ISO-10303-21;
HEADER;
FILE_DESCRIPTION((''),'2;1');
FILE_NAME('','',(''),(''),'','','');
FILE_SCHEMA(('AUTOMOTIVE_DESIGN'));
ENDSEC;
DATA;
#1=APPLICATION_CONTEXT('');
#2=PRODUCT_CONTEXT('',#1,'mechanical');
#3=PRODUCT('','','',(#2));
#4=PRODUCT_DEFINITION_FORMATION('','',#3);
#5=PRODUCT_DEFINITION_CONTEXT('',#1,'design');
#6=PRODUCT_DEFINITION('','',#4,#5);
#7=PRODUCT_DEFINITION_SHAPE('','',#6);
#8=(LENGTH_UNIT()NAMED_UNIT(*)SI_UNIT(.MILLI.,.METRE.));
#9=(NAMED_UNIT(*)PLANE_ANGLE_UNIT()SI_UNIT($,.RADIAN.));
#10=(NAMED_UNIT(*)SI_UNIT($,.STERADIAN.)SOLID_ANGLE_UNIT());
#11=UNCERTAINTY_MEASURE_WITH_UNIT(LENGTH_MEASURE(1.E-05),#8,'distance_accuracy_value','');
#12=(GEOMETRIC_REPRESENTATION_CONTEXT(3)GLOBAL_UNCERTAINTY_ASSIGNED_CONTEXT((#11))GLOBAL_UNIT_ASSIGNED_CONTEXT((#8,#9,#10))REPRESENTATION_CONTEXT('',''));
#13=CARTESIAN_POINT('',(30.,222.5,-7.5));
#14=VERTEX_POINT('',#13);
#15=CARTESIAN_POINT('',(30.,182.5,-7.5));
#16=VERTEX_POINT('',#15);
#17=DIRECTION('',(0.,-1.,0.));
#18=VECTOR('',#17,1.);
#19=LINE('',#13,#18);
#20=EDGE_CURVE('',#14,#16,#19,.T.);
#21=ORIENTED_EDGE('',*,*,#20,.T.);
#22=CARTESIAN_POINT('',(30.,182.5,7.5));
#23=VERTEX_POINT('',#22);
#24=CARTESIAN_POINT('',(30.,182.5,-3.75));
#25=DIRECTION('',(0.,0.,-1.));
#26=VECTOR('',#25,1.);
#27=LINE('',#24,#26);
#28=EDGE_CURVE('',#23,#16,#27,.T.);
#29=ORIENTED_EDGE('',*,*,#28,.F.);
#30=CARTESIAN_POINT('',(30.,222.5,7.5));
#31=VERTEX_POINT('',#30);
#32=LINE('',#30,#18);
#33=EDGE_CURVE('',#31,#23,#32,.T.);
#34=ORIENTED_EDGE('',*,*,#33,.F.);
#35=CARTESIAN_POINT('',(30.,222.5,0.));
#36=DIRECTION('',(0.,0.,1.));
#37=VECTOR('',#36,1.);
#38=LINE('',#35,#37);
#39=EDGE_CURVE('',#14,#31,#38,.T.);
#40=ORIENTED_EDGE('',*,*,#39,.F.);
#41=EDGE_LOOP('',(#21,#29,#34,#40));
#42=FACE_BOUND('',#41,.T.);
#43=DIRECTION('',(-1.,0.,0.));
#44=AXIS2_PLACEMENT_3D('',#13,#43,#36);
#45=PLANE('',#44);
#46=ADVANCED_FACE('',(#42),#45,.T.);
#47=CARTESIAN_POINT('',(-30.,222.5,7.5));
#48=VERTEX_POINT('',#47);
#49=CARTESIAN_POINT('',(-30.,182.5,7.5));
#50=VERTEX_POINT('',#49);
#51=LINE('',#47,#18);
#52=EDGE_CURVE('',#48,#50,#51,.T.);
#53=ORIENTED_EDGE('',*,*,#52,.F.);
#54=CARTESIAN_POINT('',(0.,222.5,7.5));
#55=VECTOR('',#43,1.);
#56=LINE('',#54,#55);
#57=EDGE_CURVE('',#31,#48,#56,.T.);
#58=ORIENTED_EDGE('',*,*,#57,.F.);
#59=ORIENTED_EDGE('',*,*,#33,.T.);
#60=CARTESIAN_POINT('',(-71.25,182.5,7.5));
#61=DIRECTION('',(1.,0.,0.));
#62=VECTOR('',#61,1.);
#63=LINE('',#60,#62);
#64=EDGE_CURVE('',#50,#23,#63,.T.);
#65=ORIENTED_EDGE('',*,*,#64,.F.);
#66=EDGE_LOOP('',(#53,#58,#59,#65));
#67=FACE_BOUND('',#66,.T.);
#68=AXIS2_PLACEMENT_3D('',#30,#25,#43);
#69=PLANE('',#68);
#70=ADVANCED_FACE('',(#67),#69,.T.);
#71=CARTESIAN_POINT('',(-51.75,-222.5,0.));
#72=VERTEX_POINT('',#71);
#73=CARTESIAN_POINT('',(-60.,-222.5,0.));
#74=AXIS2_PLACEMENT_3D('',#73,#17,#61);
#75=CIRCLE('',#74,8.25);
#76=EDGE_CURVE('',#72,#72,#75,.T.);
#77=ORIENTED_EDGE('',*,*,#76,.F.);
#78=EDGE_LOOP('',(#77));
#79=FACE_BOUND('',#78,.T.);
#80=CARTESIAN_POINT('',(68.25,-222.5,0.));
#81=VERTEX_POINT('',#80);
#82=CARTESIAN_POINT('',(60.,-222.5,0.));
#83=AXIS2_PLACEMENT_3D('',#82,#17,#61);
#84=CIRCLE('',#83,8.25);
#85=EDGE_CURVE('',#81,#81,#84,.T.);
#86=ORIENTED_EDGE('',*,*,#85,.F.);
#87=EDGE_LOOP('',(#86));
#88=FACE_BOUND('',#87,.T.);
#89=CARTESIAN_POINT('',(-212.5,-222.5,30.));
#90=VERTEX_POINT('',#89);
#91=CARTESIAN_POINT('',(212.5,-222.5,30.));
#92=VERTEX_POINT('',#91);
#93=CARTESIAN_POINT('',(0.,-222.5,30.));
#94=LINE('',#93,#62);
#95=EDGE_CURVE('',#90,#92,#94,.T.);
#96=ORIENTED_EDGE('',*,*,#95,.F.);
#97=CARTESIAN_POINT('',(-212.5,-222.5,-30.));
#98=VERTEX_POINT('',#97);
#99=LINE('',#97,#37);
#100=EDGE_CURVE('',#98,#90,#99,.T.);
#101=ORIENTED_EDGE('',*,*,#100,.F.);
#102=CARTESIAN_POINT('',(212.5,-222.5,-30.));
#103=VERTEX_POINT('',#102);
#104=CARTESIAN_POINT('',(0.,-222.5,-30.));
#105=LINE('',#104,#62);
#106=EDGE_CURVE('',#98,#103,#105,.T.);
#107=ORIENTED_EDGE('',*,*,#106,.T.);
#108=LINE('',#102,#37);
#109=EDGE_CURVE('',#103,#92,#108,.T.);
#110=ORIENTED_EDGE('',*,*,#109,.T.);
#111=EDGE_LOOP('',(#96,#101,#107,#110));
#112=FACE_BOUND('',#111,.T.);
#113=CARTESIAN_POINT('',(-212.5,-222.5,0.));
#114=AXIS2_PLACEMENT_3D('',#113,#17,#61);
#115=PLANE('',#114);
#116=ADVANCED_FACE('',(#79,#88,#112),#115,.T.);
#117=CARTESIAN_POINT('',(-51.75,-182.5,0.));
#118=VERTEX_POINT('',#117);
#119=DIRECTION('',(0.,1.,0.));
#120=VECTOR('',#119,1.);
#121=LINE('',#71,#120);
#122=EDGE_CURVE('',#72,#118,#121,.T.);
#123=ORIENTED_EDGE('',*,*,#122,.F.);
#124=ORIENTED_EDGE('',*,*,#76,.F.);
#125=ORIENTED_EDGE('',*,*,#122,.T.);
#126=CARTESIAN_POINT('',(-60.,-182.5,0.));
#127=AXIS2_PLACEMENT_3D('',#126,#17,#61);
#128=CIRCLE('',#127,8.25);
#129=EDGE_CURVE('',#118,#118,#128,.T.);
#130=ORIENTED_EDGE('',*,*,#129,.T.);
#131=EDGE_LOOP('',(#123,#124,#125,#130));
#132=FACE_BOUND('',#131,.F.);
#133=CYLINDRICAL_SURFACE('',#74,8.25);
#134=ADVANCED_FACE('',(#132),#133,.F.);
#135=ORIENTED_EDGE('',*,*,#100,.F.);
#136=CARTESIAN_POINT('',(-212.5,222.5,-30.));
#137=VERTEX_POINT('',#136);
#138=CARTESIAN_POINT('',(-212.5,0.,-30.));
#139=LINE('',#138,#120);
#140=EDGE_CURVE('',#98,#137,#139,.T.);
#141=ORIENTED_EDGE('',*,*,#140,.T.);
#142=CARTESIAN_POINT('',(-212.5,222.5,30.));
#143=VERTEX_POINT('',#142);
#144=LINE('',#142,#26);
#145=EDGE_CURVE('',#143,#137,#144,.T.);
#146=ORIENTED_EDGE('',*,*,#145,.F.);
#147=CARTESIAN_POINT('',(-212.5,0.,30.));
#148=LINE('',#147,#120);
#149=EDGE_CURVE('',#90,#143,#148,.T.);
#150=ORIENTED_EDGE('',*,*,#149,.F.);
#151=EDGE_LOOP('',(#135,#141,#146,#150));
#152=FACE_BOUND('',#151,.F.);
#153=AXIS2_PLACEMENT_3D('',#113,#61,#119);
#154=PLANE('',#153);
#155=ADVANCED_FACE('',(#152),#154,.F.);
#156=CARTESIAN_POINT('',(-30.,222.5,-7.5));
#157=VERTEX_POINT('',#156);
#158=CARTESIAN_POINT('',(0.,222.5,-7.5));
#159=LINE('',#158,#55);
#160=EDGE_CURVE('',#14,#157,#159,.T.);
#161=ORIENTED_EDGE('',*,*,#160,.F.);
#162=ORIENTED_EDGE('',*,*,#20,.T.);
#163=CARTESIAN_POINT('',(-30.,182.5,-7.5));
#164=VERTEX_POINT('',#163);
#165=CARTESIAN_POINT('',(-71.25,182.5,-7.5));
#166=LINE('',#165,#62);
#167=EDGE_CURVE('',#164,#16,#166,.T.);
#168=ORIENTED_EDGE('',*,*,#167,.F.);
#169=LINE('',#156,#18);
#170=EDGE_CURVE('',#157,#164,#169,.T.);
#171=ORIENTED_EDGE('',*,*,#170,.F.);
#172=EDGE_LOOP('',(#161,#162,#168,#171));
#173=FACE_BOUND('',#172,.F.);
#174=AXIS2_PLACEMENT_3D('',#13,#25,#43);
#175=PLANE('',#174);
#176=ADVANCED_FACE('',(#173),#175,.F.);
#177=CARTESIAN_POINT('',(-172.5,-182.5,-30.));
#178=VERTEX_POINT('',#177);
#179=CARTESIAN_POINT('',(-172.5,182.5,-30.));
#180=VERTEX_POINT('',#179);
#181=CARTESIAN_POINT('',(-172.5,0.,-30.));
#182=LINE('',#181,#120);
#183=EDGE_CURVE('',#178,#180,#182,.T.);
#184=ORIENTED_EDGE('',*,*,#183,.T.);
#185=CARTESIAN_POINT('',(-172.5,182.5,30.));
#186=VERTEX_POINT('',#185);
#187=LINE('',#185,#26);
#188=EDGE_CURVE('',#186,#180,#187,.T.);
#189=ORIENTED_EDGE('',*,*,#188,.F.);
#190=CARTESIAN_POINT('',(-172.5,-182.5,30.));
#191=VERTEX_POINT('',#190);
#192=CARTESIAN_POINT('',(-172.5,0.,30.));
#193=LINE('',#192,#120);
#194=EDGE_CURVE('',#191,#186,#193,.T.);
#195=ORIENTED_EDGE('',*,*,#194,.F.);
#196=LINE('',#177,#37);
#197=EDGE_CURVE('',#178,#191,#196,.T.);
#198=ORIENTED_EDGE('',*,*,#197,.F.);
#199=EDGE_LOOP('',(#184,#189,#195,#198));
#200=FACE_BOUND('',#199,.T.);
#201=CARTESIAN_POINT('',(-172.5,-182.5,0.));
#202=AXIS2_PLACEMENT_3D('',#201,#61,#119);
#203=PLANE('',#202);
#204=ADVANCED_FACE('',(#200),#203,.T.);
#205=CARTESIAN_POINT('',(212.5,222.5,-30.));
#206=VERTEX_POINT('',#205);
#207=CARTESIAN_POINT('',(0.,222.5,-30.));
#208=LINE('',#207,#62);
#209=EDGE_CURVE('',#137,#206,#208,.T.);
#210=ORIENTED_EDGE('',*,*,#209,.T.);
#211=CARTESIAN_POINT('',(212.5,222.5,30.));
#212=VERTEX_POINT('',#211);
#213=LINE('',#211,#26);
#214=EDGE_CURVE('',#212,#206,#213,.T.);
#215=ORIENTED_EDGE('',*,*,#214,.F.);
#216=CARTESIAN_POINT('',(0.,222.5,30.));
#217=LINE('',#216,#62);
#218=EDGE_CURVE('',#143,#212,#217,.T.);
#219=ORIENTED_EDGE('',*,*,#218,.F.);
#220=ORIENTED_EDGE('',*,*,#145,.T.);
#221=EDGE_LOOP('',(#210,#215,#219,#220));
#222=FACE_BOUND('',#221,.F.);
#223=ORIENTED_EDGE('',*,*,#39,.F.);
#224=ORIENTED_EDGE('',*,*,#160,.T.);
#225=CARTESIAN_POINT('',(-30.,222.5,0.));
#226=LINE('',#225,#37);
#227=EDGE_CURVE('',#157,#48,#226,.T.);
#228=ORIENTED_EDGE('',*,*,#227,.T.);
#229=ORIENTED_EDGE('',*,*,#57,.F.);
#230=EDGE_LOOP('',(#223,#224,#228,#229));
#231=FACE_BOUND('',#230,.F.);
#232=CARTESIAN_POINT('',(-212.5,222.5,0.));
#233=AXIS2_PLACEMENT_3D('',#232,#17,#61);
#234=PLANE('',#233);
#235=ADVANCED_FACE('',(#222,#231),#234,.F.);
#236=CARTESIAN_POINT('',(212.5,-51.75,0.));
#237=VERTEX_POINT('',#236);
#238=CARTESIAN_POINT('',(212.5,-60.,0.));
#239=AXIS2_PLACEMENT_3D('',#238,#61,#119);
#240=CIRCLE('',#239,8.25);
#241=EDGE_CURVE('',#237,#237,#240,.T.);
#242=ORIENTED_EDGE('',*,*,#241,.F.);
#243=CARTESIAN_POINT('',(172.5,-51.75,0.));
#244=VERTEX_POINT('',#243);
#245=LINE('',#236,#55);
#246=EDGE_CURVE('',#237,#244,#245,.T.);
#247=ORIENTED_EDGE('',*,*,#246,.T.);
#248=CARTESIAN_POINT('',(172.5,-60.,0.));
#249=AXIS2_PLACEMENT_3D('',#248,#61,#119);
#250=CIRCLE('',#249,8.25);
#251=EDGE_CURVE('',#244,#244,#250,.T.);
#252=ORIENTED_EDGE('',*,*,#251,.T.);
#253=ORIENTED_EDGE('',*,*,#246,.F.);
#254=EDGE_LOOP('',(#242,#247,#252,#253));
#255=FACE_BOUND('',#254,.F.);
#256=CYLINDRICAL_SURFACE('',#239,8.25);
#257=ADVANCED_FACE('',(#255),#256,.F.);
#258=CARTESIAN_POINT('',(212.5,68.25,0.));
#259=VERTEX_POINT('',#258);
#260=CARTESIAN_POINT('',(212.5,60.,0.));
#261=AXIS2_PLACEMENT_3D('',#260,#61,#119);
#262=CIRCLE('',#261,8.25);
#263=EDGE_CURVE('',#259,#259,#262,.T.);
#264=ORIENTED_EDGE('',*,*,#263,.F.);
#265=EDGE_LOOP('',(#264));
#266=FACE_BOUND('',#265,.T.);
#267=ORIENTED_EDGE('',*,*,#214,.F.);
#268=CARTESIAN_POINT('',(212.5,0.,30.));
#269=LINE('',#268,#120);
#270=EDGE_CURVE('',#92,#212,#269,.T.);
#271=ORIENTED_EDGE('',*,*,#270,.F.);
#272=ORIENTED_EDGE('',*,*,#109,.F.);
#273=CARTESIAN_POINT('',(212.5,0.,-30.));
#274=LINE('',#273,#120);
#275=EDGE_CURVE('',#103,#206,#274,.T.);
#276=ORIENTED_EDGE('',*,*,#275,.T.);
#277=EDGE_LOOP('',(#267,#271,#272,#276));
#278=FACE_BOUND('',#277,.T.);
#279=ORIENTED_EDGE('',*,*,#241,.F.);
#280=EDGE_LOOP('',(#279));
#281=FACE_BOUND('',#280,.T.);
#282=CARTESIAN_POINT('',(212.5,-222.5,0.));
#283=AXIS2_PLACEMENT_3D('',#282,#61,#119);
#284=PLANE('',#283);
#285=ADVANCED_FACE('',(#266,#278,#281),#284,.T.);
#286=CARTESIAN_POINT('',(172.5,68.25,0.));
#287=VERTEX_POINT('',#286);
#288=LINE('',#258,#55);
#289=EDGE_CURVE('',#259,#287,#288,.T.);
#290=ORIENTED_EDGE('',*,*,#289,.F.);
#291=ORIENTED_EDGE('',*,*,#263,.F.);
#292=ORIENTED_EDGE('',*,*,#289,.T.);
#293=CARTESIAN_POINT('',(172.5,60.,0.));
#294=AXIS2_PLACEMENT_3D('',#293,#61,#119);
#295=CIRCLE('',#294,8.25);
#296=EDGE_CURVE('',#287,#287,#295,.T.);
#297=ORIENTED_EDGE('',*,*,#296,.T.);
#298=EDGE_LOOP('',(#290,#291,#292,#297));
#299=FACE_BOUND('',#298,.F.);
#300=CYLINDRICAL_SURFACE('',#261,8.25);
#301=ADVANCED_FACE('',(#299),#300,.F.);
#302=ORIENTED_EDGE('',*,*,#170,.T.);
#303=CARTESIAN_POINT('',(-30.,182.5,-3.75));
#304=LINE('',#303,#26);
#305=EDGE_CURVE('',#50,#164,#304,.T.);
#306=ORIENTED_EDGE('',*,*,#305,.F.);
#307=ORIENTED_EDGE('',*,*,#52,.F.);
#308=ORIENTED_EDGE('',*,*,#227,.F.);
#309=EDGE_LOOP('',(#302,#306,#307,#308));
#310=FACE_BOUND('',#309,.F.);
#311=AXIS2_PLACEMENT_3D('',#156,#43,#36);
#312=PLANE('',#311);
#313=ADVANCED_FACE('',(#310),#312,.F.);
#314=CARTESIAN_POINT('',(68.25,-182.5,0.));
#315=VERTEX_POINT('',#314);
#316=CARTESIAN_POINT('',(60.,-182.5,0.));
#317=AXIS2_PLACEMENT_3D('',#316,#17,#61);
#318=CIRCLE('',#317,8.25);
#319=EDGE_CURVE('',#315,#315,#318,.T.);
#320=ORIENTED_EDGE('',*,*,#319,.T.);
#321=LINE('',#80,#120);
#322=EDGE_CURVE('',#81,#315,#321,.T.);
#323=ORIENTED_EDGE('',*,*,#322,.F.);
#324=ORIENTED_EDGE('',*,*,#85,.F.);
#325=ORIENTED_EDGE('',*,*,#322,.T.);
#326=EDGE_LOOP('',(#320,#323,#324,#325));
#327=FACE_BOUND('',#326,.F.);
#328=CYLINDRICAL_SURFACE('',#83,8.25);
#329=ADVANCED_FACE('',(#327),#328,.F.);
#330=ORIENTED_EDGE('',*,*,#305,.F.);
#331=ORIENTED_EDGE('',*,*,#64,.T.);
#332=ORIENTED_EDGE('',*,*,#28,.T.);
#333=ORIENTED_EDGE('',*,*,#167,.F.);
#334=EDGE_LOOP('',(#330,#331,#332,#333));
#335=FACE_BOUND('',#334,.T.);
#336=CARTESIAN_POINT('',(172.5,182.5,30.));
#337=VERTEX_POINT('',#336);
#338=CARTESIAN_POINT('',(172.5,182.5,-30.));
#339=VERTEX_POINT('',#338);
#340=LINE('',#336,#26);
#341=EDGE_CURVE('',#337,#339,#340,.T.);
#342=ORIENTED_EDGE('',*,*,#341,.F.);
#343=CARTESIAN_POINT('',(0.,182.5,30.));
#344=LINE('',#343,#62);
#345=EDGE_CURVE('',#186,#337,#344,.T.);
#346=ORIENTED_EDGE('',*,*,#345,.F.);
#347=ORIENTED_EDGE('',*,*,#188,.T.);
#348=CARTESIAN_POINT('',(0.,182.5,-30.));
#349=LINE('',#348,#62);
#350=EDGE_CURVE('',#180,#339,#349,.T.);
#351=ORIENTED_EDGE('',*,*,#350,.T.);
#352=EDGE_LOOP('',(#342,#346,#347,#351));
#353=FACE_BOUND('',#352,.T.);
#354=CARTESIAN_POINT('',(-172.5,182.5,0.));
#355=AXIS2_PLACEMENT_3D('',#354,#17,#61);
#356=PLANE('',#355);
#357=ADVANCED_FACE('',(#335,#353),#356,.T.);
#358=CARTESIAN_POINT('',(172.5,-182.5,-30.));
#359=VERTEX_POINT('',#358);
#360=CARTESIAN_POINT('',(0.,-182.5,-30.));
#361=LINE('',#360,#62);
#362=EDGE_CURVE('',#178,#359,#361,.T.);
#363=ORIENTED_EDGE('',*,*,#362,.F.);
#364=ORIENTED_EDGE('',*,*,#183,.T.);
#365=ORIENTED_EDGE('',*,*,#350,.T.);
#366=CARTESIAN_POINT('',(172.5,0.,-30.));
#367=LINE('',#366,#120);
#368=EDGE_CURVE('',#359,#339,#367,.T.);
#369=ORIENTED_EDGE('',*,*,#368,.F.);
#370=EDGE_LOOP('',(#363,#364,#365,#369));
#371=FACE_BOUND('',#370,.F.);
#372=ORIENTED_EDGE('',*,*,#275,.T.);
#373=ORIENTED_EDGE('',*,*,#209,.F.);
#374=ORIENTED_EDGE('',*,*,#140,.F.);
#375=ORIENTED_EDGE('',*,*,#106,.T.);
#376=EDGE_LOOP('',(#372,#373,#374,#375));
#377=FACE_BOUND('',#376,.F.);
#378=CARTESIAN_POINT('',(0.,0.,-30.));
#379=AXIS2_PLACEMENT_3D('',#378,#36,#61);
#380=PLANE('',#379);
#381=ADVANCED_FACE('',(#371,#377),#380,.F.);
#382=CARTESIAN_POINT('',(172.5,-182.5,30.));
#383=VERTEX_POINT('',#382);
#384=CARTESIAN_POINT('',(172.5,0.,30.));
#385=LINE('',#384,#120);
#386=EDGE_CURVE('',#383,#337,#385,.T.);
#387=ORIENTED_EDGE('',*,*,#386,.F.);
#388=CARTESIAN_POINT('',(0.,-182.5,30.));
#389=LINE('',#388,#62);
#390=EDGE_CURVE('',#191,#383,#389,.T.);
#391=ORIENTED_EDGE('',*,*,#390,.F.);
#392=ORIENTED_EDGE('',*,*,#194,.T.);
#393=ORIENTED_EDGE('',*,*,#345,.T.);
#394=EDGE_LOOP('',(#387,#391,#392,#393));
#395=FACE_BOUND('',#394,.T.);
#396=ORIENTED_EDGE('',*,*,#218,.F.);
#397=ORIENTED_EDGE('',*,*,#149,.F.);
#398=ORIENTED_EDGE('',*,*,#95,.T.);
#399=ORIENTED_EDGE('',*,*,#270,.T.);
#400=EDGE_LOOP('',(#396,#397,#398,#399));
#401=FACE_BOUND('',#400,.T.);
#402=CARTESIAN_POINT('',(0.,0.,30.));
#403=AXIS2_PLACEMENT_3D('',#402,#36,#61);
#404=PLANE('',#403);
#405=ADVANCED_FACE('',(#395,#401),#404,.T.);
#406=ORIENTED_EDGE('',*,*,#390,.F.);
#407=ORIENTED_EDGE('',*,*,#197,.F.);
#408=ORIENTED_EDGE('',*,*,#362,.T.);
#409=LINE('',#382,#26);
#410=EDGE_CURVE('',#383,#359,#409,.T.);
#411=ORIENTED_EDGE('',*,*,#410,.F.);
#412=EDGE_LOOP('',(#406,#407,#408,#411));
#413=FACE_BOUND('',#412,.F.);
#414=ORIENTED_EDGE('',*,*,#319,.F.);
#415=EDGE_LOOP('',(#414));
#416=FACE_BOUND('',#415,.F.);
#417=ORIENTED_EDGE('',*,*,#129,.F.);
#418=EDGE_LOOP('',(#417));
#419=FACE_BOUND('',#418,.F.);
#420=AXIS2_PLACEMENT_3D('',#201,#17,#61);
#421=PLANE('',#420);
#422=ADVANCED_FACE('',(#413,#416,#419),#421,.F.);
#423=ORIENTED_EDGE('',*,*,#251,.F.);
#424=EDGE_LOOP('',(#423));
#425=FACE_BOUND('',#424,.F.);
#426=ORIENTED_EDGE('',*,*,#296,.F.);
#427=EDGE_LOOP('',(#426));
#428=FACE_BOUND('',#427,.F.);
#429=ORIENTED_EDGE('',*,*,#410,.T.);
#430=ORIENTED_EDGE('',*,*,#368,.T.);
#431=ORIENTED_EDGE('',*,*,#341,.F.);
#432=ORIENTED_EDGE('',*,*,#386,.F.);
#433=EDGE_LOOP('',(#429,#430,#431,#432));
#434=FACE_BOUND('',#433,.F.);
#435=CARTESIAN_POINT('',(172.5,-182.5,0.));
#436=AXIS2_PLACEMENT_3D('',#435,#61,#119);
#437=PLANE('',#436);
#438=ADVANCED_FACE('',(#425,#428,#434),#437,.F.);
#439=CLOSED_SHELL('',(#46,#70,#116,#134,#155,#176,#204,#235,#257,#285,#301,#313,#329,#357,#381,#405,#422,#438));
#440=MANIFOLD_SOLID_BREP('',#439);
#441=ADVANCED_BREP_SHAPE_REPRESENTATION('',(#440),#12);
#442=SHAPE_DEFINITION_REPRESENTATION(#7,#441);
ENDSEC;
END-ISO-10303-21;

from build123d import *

# Parameters (mm, degrees)
F0_W     = 425
F0_H     = 445
F0_W_2   = 345
F0_H_2   = 365
F1_DEPTH = 30
F2_R     = 8.25
F3_DEPTH = 80
F4_R     = 8.25
F5_DEPTH = 80
F6_W     = 60
F6_H     = 15
F7_DEPTH = 80


with BuildPart() as f1:
    # F0 (on Top) → F1 (new body, symmetric)
    with BuildSketch(Plane.XY):
        Rectangle(F0_W, F0_H)
        Rectangle(F0_W_2, F0_H_2, mode=Mode.SUBTRACT)
    extrude(amount=F1_DEPTH, both=True)

    # F2 (on face) → F3 (cut)
    with BuildSketch(Plane.XZ.offset(222.5)):
        with Locations((-60, 0)):
            Circle(F2_R)
        with Locations((60, 0)):
            Circle(F2_R)
    extrude(amount=-F3_DEPTH, mode=Mode.SUBTRACT)

    # F4 (on face) → F5 (cut)
    with BuildSketch(Plane.YZ.offset(212.5)):
        with Locations((60, 0)):
            Circle(F4_R)
        with Locations((-60, 0)):
            Circle(F4_R)
    extrude(amount=-F5_DEPTH, mode=Mode.SUBTRACT)

    # F6 (on face) → F7 (cut)
    with BuildSketch(Plane(origin=(0, 222.5, 0), x_dir=(-1, 0, 0), z_dir=(0, 1, 0))):
        Rectangle(F6_W, F6_H)
    extrude(amount=-F7_DEPTH, mode=Mode.SUBTRACT)


solid = f1.part
